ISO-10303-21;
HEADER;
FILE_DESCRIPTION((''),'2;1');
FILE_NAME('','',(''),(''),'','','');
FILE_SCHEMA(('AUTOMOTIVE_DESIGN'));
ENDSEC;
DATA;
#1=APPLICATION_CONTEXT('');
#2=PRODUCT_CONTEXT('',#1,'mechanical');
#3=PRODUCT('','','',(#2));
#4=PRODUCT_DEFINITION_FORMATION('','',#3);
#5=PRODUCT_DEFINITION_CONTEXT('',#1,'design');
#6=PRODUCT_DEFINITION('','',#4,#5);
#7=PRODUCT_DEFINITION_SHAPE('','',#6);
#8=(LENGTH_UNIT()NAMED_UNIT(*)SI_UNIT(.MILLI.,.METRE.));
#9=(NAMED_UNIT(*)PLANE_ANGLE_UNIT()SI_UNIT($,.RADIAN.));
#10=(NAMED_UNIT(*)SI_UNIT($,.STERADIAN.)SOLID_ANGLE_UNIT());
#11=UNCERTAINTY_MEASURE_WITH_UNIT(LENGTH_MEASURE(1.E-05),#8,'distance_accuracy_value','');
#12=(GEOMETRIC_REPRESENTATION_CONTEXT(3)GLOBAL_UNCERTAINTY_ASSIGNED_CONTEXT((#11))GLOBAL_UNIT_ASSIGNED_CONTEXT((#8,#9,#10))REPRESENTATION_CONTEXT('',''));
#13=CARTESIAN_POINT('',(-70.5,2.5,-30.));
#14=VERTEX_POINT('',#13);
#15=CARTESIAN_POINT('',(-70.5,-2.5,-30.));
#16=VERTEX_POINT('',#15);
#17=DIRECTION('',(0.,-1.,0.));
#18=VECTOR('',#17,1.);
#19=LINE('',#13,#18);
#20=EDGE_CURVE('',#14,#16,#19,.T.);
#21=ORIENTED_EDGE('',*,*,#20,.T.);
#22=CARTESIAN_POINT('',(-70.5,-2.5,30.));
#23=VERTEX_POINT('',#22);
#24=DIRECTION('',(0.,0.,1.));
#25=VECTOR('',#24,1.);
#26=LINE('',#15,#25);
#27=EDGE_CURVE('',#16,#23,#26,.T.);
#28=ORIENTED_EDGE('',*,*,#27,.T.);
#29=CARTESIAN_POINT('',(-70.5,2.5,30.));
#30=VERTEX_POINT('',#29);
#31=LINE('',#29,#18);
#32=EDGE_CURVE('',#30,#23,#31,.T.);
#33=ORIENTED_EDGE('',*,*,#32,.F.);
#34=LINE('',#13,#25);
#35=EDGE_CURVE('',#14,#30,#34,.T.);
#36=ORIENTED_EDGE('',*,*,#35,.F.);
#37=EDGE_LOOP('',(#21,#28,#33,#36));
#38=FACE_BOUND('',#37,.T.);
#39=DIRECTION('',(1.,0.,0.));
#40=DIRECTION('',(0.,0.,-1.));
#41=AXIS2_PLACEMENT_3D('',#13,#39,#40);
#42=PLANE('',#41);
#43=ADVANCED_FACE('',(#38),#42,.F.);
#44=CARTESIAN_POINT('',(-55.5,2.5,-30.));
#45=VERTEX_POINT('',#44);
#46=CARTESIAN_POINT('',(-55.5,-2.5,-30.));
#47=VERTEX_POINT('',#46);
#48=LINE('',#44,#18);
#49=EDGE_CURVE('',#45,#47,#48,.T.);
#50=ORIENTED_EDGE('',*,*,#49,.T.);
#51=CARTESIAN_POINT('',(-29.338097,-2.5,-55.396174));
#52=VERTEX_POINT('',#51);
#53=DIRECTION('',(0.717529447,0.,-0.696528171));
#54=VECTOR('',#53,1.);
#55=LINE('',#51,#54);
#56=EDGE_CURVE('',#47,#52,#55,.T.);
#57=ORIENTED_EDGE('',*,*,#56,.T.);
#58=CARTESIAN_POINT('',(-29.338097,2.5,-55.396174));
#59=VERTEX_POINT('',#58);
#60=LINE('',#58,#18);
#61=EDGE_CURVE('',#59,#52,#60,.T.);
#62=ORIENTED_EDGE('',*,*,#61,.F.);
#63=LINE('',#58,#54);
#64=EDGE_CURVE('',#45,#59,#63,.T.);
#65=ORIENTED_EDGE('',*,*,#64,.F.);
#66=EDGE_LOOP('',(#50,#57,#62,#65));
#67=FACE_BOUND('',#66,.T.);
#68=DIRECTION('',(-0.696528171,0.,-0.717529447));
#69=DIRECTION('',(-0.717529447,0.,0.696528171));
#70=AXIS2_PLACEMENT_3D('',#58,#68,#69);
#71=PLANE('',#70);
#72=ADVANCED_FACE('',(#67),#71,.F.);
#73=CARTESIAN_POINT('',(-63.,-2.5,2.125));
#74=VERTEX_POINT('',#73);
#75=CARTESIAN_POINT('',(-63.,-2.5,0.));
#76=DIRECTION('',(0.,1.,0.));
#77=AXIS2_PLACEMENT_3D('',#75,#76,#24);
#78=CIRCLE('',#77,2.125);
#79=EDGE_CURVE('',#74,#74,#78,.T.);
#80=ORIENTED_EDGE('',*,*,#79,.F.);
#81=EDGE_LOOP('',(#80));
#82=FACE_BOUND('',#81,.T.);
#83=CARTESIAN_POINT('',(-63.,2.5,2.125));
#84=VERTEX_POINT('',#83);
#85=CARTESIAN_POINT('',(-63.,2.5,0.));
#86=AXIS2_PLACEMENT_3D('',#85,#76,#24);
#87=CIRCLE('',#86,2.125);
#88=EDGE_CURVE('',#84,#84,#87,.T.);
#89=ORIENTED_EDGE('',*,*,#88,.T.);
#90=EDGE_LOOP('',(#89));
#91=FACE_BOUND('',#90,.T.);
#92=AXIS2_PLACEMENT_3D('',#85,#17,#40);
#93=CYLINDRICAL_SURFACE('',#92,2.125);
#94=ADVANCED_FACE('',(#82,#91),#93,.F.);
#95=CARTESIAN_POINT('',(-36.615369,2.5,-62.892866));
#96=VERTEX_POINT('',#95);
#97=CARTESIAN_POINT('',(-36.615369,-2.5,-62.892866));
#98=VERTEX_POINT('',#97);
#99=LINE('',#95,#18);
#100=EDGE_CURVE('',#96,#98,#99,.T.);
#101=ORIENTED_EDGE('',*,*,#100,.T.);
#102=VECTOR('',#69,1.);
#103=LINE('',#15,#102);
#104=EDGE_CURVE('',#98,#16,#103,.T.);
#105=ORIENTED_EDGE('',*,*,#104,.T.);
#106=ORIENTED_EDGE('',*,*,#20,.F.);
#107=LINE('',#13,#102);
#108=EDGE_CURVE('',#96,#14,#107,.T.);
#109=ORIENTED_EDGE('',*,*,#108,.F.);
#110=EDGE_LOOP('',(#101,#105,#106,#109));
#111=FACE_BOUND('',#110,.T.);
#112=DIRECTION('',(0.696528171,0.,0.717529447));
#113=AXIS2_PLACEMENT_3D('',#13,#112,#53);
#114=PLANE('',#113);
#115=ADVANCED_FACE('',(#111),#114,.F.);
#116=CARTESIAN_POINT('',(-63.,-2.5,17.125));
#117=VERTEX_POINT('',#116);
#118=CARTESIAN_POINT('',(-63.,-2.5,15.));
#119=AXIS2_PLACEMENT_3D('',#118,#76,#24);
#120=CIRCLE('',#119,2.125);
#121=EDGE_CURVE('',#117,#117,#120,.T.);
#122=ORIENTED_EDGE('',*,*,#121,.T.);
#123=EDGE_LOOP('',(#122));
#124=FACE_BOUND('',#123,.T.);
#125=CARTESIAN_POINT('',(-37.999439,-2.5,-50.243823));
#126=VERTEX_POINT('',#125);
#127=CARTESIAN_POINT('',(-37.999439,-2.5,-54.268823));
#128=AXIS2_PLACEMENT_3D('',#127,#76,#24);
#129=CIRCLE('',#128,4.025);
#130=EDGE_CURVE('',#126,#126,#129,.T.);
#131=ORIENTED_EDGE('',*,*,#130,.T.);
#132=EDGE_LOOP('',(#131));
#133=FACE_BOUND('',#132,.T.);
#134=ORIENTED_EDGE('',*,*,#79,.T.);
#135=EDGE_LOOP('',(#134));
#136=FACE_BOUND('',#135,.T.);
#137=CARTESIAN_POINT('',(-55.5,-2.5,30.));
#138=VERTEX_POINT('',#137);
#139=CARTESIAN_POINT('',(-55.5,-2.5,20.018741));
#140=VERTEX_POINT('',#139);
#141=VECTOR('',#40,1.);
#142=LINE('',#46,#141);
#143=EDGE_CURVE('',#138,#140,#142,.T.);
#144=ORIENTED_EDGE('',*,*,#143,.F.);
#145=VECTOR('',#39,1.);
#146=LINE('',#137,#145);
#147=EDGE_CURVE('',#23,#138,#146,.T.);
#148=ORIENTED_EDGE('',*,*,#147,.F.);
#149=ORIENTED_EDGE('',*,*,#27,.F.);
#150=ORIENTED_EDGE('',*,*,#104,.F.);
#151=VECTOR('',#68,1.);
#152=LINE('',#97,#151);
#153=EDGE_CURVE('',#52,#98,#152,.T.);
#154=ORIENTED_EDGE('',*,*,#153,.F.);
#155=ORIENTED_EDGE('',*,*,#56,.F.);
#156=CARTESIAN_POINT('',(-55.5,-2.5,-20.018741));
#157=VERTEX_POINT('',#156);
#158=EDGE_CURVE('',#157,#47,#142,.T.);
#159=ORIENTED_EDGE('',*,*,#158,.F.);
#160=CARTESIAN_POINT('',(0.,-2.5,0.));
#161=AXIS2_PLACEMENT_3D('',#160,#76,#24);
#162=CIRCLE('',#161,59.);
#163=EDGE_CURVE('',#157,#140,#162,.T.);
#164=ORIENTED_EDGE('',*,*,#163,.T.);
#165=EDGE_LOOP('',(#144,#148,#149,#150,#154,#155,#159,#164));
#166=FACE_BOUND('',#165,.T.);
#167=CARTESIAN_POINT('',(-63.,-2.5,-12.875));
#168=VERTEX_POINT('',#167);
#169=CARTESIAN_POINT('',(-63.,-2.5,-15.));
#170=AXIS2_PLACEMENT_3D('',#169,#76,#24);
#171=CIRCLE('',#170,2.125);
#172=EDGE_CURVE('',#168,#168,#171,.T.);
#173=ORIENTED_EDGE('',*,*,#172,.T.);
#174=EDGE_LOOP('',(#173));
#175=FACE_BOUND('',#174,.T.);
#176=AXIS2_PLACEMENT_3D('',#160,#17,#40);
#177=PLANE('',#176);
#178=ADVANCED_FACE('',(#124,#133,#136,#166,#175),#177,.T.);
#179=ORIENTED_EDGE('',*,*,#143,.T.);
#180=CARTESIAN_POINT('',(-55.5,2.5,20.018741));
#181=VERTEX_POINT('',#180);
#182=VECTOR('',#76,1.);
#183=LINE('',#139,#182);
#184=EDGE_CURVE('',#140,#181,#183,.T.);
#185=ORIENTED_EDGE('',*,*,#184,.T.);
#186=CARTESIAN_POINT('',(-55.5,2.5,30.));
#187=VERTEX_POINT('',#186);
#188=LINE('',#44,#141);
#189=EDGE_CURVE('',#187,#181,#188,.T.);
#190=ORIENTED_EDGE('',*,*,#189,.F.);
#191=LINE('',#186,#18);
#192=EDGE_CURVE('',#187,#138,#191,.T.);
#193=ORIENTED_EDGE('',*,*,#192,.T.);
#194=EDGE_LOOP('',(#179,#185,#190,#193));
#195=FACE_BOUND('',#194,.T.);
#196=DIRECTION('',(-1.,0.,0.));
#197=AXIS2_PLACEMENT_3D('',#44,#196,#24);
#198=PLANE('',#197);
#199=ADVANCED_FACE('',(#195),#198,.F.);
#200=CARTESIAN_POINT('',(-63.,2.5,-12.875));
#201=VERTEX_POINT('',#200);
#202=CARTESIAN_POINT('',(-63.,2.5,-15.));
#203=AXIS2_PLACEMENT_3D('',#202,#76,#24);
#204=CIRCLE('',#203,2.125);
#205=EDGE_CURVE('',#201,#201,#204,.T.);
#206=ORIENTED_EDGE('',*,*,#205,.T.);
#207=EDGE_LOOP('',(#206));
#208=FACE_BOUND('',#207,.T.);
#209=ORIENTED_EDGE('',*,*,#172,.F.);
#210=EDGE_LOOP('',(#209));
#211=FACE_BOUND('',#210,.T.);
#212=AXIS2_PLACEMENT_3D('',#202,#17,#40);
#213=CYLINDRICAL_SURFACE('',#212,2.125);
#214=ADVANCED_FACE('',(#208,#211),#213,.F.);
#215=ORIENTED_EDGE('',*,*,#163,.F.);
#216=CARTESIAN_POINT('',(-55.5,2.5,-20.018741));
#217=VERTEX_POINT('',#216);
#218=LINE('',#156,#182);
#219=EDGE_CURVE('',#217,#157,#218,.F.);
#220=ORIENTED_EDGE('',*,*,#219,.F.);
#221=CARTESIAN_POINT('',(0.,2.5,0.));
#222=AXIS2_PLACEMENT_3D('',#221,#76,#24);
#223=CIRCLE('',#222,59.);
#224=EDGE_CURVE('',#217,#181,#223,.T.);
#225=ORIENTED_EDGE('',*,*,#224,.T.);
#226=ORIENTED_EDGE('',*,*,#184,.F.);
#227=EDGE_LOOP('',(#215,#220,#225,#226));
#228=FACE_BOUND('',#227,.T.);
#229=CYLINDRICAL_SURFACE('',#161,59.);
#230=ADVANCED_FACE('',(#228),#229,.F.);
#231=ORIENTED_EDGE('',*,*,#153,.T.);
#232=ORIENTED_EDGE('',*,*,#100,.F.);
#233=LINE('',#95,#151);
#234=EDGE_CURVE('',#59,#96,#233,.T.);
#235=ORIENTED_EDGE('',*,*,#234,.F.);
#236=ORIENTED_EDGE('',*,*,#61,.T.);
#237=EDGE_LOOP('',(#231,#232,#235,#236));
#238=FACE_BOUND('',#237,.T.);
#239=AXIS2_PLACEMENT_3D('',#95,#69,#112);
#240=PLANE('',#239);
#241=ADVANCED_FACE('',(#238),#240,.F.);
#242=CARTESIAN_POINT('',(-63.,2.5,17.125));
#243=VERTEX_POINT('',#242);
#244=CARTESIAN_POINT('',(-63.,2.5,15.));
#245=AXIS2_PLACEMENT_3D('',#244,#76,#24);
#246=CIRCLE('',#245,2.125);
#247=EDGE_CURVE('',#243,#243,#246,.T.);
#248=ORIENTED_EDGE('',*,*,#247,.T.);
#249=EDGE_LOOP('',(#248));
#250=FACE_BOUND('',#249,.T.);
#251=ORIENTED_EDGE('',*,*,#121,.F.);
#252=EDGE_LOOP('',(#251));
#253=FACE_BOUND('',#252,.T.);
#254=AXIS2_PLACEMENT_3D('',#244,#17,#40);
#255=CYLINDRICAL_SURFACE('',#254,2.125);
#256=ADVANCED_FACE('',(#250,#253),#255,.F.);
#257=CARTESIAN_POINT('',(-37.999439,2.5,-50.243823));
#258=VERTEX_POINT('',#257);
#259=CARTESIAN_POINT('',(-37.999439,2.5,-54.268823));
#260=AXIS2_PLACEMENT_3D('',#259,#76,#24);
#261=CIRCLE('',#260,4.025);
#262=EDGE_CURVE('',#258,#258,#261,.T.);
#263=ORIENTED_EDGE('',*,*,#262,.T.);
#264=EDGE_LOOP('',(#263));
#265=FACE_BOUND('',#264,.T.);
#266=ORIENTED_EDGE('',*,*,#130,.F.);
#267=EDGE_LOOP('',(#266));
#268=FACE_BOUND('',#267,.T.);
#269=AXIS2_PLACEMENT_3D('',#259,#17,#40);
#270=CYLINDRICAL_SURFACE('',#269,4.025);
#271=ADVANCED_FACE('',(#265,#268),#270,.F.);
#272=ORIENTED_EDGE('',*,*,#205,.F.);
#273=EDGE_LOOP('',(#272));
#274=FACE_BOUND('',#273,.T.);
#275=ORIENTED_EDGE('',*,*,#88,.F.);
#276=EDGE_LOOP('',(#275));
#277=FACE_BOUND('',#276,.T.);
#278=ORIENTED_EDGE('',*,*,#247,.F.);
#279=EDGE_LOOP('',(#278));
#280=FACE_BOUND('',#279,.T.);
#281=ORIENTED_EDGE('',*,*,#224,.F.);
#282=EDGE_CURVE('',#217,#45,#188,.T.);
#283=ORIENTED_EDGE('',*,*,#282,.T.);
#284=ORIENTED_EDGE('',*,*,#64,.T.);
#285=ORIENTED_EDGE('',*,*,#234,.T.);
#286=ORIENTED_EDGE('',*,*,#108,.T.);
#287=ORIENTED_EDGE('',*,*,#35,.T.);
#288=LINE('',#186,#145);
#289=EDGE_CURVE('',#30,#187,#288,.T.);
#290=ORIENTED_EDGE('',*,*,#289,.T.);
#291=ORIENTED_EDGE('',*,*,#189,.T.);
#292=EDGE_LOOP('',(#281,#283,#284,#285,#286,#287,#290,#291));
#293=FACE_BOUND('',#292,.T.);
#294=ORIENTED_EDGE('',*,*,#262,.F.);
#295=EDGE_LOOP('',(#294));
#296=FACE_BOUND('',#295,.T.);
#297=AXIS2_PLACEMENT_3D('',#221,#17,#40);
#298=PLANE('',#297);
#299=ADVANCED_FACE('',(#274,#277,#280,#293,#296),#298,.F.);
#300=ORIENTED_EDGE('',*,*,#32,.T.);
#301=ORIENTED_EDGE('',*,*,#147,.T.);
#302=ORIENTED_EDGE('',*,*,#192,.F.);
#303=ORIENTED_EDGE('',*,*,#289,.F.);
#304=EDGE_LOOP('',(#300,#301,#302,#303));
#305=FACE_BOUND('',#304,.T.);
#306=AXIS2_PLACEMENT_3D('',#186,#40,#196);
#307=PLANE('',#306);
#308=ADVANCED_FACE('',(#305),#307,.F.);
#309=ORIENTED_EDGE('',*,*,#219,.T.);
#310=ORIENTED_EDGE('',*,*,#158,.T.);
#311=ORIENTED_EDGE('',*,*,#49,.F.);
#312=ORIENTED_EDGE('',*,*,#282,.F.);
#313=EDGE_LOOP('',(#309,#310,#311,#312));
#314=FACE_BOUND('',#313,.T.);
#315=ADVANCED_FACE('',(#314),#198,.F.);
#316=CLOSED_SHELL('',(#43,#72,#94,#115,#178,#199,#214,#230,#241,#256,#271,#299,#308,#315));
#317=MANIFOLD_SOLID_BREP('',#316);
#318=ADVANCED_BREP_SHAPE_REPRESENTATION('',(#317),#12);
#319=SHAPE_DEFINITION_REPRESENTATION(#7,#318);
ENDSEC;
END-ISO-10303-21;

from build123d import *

# Parameters (mm, degrees)
SKETCH1_R               = 4.025
SKETCH1_R_2             = 2.125
BOSS_EXTRUDE1_DEPTH     = 2.5
SKETCH2_R               = 59
CUT_EXTRUDE1_DEPTH      = 3.5
CUT_EXTRUDE1_DEPTH_BACK = 3.5


with BuildPart() as part:
    # Sketch1 → Boss-Extrude1 (new body, symmetric)
    with BuildSketch(Plane(origin=(0, 0, 0), x_dir=(1, 0, 0), z_dir=(0, 1, 0))):
        Polygon((-55.5, 30), (-55.5, -30), (-70.5, -30), (-70.5, 30), (-36.615368979, 62.892866181), (-29.338096583, 55.396174082), align=None)
        with Locations((-37.999438908, 54.268822934)):
            Circle(SKETCH1_R, mode=Mode.SUBTRACT)
        with Locations((-63, 0)):
            Circle(SKETCH1_R_2, mode=Mode.SUBTRACT)
        with Locations((-63, -15)):
            Circle(SKETCH1_R_2, mode=Mode.SUBTRACT)
        with Locations((-63, 15)):
            Circle(SKETCH1_R_2, mode=Mode.SUBTRACT)
    extrude(amount=BOSS_EXTRUDE1_DEPTH, both=True)

    # Sketch2 → Cut-Extrude1 (cut, two sides)
    with BuildSketch(Plane(origin=(0, 0, 0), x_dir=(1, 0, 0), z_dir=(0, 1, 0))) as cut_extrude1_sk:
        Circle(SKETCH2_R)
    extrude(amount=CUT_EXTRUDE1_DEPTH, mode=Mode.SUBTRACT)
    extrude(cut_extrude1_sk.sketch, amount=-CUT_EXTRUDE1_DEPTH_BACK, mode=Mode.SUBTRACT)


solid = part.part
